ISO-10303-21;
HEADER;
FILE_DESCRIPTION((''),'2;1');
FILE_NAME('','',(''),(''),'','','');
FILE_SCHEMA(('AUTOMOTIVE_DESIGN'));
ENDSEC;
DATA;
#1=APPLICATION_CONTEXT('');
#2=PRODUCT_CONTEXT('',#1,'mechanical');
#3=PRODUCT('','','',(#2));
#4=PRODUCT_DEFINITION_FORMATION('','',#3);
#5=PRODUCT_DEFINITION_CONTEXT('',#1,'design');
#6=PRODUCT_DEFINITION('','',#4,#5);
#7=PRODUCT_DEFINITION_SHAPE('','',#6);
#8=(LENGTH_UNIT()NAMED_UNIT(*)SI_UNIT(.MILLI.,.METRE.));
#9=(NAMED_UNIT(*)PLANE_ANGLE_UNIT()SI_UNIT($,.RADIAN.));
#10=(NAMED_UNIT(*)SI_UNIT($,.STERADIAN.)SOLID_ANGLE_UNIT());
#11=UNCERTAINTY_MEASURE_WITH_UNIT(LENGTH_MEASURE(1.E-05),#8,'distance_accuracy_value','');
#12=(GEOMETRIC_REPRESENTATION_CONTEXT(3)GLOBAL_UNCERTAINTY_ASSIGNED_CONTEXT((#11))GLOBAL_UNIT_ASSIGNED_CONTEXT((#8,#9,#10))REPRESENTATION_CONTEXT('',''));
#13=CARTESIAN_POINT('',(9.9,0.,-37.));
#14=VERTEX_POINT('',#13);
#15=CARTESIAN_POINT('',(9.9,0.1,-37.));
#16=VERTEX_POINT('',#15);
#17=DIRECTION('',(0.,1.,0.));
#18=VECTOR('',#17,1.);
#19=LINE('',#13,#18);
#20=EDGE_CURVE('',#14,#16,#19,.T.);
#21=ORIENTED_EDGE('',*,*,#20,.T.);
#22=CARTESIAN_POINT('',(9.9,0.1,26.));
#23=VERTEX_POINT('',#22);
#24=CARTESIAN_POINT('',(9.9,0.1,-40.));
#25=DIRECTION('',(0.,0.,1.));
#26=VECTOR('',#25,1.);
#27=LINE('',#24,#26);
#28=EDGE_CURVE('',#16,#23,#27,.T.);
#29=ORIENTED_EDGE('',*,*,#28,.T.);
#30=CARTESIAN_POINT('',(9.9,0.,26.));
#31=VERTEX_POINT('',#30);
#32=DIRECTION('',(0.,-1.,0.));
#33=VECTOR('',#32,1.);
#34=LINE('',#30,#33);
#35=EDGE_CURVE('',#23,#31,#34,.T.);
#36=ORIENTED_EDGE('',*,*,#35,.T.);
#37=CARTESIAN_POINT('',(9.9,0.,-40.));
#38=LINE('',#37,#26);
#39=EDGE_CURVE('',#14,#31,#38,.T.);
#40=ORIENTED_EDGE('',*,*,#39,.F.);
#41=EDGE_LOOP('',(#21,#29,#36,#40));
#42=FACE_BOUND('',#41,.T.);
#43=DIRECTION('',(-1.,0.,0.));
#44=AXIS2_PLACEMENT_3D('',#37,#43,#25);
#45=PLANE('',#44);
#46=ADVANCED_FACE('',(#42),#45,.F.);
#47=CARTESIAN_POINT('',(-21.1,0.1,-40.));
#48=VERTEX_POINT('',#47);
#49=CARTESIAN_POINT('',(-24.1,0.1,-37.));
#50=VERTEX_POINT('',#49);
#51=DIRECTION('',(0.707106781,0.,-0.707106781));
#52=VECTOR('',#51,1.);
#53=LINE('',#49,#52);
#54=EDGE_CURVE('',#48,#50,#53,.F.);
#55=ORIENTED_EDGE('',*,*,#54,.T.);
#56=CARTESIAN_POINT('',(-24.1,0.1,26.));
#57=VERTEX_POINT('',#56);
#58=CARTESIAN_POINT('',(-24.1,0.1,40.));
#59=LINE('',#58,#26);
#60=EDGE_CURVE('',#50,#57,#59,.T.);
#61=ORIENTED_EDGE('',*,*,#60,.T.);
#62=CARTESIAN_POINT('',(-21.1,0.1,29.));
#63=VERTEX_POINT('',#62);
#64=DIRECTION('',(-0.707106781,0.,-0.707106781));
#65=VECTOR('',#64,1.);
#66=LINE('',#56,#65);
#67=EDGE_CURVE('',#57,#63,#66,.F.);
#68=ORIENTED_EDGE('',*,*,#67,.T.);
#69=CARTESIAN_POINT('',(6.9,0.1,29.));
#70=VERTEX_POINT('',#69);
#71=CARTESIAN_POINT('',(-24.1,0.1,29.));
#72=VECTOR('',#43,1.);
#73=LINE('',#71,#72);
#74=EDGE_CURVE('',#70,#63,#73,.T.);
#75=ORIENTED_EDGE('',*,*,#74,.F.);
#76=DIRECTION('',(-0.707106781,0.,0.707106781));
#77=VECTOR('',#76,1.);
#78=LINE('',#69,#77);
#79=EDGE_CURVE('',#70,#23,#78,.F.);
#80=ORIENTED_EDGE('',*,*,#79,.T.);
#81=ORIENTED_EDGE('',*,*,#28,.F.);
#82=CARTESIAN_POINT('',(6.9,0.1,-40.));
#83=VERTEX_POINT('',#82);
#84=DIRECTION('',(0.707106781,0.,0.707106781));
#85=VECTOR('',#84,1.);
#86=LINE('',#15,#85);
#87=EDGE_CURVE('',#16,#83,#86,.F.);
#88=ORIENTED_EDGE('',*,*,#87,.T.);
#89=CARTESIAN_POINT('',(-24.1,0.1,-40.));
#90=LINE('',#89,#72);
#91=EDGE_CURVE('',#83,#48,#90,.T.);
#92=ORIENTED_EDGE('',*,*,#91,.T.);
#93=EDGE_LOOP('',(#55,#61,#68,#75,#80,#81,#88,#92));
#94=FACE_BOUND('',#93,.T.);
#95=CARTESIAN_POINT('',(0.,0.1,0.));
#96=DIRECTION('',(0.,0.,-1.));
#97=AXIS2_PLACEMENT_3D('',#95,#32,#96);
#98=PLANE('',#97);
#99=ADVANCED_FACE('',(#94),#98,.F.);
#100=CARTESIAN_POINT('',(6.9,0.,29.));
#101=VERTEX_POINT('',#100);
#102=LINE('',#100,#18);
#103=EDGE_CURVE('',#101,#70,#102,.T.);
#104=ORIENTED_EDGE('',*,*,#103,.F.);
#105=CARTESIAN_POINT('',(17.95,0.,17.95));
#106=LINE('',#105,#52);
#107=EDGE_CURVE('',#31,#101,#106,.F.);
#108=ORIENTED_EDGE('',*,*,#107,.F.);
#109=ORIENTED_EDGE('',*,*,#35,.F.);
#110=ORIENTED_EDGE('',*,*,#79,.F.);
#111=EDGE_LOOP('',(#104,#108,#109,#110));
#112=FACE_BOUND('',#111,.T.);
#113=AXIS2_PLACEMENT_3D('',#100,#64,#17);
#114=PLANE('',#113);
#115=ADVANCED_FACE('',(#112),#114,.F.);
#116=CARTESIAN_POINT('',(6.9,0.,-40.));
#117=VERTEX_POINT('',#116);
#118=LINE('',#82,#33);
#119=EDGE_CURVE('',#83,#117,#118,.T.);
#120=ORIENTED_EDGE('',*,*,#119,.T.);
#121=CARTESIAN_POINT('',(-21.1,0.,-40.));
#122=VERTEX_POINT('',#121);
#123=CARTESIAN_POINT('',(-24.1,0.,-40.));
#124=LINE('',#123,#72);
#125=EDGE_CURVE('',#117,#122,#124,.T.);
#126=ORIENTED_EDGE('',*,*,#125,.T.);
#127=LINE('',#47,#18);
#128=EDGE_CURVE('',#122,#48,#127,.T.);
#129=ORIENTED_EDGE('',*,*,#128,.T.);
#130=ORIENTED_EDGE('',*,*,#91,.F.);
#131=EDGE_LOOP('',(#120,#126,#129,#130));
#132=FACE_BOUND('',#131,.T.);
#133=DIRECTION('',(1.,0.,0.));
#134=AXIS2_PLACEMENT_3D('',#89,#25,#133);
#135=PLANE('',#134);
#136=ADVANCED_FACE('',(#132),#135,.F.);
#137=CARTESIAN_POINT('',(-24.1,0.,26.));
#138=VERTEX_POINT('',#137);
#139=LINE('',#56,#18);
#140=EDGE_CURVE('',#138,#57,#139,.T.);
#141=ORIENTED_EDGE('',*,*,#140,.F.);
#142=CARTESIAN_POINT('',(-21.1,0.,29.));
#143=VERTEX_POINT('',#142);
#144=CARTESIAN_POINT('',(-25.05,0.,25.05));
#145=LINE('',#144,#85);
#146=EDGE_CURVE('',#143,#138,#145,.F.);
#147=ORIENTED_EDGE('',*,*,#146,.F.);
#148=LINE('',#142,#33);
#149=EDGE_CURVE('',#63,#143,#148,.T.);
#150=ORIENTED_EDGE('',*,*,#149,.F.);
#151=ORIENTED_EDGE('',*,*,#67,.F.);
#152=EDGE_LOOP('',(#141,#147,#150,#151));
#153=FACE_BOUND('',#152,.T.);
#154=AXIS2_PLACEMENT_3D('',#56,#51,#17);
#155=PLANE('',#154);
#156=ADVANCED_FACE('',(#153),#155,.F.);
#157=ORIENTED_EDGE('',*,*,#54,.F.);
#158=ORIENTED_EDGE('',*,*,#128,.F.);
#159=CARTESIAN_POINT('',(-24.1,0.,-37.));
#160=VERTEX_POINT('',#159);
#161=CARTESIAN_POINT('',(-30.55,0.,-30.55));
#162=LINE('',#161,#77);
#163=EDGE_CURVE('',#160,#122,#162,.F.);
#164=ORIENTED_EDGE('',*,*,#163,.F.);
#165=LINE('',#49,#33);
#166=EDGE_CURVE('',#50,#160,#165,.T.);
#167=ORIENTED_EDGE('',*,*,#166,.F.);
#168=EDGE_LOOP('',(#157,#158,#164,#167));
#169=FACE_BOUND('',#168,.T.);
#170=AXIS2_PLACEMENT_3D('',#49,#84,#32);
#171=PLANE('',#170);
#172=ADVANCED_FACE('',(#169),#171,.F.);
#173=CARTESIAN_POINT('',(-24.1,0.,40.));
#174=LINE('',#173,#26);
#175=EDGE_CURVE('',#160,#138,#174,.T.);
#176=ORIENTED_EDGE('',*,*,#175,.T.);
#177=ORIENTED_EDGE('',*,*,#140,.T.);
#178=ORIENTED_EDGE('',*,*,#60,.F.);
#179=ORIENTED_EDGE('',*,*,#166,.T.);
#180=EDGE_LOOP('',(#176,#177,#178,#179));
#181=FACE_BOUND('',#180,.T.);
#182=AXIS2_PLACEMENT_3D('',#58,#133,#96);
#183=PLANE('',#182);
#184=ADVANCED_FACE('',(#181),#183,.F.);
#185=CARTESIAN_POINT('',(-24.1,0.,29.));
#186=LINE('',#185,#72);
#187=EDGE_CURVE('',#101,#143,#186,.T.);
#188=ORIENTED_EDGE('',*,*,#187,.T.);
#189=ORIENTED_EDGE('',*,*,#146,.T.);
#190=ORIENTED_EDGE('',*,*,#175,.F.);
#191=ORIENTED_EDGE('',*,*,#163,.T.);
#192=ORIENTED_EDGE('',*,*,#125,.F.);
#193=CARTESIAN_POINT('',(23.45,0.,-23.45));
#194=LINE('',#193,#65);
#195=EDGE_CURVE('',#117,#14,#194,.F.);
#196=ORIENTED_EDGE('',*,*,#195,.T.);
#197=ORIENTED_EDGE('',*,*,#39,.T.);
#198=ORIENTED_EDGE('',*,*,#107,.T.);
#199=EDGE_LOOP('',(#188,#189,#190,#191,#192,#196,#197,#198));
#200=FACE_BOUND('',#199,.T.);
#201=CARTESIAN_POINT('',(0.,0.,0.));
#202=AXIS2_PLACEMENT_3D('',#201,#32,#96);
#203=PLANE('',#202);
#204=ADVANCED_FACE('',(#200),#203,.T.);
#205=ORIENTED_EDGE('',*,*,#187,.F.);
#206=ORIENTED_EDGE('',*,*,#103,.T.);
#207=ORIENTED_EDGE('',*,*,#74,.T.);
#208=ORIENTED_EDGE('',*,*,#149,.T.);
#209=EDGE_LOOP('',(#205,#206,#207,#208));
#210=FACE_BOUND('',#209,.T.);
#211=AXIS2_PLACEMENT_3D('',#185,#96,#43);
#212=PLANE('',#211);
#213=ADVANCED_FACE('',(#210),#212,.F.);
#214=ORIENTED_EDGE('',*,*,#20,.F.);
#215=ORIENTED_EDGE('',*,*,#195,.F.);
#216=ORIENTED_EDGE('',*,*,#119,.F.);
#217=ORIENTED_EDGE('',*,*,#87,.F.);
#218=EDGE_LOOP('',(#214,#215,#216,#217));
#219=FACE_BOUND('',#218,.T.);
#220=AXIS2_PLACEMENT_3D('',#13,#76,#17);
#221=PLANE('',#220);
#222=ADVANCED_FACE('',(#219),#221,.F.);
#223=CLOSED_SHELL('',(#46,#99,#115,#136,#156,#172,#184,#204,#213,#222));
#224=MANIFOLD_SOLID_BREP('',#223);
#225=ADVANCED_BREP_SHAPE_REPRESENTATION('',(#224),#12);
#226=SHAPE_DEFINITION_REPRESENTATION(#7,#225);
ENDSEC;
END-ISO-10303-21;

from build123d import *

# Parameters (mm, degrees)
SKETCH1_W           = 48.2
SKETCH1_H           = 80
BOSS_EXTRUDE1_DEPTH = 0.1
CUT_EXTRUDE1_DEPTH  = 1.1
CHAMFER1_SIZE       = 3


with BuildPart() as part:
    # Sketch1 → Boss-Extrude1 (new body)
    with BuildSketch(Plane(origin=(0, 0, 0), x_dir=(1, 0, 0), z_dir=(0, 1, 0))):
        Rectangle(SKETCH1_W, SKETCH1_H)
    extrude(amount=BOSS_EXTRUDE1_DEPTH)

    # Sketch2 → Cut-Extrude1 (cut, through all)
    with BuildSketch(Plane(origin=(0, 0.1, 0), x_dir=(1, 0, 0), z_dir=(0, 1, 0))):
        Polygon((9.9, 40), (24.1, 40), (24.1, -40), (-24.1, -40), (-24.1, -29), (9.9, -29), align=None)
    extrude(amount=-CUT_EXTRUDE1_DEPTH, mode=Mode.SUBTRACT)

    # Chamfer1
    chamfer1_edges = [part.edges().sort_by_distance(p)[0] for p in [
        (9.9, 0.05, 29),
        (9.9, 0.05, -40),
        (-24.1, 0.05, 29),
        (-24.1, 0.05, -40),
    ]]
    chamfer(chamfer1_edges, length=CHAMFER1_SIZE)


solid = part.part
